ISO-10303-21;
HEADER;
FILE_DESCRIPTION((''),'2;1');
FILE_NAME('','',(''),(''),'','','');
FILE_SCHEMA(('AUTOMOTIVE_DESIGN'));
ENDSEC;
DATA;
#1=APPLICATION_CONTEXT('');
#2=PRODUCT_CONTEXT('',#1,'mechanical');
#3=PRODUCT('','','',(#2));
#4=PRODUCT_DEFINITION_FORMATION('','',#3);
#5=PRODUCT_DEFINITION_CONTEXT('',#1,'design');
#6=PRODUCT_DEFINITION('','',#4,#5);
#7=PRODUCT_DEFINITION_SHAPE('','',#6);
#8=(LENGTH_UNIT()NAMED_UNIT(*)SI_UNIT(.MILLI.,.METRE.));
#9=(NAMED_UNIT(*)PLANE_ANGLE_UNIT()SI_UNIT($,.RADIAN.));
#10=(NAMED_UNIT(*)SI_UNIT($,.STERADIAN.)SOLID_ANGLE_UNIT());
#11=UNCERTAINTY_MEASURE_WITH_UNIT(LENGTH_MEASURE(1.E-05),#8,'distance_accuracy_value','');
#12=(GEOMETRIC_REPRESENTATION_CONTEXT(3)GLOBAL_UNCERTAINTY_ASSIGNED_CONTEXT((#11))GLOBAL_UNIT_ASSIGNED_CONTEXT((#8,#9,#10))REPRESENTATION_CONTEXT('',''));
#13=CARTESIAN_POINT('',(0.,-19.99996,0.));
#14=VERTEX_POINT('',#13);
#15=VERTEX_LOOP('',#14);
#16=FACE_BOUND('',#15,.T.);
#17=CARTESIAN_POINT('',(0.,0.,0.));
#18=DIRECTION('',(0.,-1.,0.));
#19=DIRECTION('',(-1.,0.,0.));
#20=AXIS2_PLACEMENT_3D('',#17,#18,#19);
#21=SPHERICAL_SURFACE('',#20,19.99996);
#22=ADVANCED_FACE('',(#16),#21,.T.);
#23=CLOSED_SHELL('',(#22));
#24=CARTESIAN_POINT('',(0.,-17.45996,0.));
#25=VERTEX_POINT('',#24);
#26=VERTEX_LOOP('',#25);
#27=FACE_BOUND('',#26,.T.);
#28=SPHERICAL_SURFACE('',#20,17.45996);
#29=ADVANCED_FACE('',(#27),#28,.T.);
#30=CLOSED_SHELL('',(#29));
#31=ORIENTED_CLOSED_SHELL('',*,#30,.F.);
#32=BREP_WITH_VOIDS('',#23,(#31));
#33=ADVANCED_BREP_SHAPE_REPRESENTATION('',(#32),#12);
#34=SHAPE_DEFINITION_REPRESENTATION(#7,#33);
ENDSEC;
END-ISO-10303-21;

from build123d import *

# Parameters (mm, degrees)
F2_T = -2.54


with BuildPart() as f1:
    # F0 (on Top) → F1 (revolve)
    with BuildSketch(Plane.XY):
        with BuildLine():
            Line((0, -19.99996), (0, 19.99996))
            ThreePointArc((0, 19.99996), (-19.99996, 0), (0, -19.99996))
        make_face()
    revolve(axis=Axis((0, 0.596864149, 0), (0, -1, 0)))

    # F2 (hollow: no face is removed)
    offset(amount=F2_T, mode=Mode.SUBTRACT)


solid = f1.part
